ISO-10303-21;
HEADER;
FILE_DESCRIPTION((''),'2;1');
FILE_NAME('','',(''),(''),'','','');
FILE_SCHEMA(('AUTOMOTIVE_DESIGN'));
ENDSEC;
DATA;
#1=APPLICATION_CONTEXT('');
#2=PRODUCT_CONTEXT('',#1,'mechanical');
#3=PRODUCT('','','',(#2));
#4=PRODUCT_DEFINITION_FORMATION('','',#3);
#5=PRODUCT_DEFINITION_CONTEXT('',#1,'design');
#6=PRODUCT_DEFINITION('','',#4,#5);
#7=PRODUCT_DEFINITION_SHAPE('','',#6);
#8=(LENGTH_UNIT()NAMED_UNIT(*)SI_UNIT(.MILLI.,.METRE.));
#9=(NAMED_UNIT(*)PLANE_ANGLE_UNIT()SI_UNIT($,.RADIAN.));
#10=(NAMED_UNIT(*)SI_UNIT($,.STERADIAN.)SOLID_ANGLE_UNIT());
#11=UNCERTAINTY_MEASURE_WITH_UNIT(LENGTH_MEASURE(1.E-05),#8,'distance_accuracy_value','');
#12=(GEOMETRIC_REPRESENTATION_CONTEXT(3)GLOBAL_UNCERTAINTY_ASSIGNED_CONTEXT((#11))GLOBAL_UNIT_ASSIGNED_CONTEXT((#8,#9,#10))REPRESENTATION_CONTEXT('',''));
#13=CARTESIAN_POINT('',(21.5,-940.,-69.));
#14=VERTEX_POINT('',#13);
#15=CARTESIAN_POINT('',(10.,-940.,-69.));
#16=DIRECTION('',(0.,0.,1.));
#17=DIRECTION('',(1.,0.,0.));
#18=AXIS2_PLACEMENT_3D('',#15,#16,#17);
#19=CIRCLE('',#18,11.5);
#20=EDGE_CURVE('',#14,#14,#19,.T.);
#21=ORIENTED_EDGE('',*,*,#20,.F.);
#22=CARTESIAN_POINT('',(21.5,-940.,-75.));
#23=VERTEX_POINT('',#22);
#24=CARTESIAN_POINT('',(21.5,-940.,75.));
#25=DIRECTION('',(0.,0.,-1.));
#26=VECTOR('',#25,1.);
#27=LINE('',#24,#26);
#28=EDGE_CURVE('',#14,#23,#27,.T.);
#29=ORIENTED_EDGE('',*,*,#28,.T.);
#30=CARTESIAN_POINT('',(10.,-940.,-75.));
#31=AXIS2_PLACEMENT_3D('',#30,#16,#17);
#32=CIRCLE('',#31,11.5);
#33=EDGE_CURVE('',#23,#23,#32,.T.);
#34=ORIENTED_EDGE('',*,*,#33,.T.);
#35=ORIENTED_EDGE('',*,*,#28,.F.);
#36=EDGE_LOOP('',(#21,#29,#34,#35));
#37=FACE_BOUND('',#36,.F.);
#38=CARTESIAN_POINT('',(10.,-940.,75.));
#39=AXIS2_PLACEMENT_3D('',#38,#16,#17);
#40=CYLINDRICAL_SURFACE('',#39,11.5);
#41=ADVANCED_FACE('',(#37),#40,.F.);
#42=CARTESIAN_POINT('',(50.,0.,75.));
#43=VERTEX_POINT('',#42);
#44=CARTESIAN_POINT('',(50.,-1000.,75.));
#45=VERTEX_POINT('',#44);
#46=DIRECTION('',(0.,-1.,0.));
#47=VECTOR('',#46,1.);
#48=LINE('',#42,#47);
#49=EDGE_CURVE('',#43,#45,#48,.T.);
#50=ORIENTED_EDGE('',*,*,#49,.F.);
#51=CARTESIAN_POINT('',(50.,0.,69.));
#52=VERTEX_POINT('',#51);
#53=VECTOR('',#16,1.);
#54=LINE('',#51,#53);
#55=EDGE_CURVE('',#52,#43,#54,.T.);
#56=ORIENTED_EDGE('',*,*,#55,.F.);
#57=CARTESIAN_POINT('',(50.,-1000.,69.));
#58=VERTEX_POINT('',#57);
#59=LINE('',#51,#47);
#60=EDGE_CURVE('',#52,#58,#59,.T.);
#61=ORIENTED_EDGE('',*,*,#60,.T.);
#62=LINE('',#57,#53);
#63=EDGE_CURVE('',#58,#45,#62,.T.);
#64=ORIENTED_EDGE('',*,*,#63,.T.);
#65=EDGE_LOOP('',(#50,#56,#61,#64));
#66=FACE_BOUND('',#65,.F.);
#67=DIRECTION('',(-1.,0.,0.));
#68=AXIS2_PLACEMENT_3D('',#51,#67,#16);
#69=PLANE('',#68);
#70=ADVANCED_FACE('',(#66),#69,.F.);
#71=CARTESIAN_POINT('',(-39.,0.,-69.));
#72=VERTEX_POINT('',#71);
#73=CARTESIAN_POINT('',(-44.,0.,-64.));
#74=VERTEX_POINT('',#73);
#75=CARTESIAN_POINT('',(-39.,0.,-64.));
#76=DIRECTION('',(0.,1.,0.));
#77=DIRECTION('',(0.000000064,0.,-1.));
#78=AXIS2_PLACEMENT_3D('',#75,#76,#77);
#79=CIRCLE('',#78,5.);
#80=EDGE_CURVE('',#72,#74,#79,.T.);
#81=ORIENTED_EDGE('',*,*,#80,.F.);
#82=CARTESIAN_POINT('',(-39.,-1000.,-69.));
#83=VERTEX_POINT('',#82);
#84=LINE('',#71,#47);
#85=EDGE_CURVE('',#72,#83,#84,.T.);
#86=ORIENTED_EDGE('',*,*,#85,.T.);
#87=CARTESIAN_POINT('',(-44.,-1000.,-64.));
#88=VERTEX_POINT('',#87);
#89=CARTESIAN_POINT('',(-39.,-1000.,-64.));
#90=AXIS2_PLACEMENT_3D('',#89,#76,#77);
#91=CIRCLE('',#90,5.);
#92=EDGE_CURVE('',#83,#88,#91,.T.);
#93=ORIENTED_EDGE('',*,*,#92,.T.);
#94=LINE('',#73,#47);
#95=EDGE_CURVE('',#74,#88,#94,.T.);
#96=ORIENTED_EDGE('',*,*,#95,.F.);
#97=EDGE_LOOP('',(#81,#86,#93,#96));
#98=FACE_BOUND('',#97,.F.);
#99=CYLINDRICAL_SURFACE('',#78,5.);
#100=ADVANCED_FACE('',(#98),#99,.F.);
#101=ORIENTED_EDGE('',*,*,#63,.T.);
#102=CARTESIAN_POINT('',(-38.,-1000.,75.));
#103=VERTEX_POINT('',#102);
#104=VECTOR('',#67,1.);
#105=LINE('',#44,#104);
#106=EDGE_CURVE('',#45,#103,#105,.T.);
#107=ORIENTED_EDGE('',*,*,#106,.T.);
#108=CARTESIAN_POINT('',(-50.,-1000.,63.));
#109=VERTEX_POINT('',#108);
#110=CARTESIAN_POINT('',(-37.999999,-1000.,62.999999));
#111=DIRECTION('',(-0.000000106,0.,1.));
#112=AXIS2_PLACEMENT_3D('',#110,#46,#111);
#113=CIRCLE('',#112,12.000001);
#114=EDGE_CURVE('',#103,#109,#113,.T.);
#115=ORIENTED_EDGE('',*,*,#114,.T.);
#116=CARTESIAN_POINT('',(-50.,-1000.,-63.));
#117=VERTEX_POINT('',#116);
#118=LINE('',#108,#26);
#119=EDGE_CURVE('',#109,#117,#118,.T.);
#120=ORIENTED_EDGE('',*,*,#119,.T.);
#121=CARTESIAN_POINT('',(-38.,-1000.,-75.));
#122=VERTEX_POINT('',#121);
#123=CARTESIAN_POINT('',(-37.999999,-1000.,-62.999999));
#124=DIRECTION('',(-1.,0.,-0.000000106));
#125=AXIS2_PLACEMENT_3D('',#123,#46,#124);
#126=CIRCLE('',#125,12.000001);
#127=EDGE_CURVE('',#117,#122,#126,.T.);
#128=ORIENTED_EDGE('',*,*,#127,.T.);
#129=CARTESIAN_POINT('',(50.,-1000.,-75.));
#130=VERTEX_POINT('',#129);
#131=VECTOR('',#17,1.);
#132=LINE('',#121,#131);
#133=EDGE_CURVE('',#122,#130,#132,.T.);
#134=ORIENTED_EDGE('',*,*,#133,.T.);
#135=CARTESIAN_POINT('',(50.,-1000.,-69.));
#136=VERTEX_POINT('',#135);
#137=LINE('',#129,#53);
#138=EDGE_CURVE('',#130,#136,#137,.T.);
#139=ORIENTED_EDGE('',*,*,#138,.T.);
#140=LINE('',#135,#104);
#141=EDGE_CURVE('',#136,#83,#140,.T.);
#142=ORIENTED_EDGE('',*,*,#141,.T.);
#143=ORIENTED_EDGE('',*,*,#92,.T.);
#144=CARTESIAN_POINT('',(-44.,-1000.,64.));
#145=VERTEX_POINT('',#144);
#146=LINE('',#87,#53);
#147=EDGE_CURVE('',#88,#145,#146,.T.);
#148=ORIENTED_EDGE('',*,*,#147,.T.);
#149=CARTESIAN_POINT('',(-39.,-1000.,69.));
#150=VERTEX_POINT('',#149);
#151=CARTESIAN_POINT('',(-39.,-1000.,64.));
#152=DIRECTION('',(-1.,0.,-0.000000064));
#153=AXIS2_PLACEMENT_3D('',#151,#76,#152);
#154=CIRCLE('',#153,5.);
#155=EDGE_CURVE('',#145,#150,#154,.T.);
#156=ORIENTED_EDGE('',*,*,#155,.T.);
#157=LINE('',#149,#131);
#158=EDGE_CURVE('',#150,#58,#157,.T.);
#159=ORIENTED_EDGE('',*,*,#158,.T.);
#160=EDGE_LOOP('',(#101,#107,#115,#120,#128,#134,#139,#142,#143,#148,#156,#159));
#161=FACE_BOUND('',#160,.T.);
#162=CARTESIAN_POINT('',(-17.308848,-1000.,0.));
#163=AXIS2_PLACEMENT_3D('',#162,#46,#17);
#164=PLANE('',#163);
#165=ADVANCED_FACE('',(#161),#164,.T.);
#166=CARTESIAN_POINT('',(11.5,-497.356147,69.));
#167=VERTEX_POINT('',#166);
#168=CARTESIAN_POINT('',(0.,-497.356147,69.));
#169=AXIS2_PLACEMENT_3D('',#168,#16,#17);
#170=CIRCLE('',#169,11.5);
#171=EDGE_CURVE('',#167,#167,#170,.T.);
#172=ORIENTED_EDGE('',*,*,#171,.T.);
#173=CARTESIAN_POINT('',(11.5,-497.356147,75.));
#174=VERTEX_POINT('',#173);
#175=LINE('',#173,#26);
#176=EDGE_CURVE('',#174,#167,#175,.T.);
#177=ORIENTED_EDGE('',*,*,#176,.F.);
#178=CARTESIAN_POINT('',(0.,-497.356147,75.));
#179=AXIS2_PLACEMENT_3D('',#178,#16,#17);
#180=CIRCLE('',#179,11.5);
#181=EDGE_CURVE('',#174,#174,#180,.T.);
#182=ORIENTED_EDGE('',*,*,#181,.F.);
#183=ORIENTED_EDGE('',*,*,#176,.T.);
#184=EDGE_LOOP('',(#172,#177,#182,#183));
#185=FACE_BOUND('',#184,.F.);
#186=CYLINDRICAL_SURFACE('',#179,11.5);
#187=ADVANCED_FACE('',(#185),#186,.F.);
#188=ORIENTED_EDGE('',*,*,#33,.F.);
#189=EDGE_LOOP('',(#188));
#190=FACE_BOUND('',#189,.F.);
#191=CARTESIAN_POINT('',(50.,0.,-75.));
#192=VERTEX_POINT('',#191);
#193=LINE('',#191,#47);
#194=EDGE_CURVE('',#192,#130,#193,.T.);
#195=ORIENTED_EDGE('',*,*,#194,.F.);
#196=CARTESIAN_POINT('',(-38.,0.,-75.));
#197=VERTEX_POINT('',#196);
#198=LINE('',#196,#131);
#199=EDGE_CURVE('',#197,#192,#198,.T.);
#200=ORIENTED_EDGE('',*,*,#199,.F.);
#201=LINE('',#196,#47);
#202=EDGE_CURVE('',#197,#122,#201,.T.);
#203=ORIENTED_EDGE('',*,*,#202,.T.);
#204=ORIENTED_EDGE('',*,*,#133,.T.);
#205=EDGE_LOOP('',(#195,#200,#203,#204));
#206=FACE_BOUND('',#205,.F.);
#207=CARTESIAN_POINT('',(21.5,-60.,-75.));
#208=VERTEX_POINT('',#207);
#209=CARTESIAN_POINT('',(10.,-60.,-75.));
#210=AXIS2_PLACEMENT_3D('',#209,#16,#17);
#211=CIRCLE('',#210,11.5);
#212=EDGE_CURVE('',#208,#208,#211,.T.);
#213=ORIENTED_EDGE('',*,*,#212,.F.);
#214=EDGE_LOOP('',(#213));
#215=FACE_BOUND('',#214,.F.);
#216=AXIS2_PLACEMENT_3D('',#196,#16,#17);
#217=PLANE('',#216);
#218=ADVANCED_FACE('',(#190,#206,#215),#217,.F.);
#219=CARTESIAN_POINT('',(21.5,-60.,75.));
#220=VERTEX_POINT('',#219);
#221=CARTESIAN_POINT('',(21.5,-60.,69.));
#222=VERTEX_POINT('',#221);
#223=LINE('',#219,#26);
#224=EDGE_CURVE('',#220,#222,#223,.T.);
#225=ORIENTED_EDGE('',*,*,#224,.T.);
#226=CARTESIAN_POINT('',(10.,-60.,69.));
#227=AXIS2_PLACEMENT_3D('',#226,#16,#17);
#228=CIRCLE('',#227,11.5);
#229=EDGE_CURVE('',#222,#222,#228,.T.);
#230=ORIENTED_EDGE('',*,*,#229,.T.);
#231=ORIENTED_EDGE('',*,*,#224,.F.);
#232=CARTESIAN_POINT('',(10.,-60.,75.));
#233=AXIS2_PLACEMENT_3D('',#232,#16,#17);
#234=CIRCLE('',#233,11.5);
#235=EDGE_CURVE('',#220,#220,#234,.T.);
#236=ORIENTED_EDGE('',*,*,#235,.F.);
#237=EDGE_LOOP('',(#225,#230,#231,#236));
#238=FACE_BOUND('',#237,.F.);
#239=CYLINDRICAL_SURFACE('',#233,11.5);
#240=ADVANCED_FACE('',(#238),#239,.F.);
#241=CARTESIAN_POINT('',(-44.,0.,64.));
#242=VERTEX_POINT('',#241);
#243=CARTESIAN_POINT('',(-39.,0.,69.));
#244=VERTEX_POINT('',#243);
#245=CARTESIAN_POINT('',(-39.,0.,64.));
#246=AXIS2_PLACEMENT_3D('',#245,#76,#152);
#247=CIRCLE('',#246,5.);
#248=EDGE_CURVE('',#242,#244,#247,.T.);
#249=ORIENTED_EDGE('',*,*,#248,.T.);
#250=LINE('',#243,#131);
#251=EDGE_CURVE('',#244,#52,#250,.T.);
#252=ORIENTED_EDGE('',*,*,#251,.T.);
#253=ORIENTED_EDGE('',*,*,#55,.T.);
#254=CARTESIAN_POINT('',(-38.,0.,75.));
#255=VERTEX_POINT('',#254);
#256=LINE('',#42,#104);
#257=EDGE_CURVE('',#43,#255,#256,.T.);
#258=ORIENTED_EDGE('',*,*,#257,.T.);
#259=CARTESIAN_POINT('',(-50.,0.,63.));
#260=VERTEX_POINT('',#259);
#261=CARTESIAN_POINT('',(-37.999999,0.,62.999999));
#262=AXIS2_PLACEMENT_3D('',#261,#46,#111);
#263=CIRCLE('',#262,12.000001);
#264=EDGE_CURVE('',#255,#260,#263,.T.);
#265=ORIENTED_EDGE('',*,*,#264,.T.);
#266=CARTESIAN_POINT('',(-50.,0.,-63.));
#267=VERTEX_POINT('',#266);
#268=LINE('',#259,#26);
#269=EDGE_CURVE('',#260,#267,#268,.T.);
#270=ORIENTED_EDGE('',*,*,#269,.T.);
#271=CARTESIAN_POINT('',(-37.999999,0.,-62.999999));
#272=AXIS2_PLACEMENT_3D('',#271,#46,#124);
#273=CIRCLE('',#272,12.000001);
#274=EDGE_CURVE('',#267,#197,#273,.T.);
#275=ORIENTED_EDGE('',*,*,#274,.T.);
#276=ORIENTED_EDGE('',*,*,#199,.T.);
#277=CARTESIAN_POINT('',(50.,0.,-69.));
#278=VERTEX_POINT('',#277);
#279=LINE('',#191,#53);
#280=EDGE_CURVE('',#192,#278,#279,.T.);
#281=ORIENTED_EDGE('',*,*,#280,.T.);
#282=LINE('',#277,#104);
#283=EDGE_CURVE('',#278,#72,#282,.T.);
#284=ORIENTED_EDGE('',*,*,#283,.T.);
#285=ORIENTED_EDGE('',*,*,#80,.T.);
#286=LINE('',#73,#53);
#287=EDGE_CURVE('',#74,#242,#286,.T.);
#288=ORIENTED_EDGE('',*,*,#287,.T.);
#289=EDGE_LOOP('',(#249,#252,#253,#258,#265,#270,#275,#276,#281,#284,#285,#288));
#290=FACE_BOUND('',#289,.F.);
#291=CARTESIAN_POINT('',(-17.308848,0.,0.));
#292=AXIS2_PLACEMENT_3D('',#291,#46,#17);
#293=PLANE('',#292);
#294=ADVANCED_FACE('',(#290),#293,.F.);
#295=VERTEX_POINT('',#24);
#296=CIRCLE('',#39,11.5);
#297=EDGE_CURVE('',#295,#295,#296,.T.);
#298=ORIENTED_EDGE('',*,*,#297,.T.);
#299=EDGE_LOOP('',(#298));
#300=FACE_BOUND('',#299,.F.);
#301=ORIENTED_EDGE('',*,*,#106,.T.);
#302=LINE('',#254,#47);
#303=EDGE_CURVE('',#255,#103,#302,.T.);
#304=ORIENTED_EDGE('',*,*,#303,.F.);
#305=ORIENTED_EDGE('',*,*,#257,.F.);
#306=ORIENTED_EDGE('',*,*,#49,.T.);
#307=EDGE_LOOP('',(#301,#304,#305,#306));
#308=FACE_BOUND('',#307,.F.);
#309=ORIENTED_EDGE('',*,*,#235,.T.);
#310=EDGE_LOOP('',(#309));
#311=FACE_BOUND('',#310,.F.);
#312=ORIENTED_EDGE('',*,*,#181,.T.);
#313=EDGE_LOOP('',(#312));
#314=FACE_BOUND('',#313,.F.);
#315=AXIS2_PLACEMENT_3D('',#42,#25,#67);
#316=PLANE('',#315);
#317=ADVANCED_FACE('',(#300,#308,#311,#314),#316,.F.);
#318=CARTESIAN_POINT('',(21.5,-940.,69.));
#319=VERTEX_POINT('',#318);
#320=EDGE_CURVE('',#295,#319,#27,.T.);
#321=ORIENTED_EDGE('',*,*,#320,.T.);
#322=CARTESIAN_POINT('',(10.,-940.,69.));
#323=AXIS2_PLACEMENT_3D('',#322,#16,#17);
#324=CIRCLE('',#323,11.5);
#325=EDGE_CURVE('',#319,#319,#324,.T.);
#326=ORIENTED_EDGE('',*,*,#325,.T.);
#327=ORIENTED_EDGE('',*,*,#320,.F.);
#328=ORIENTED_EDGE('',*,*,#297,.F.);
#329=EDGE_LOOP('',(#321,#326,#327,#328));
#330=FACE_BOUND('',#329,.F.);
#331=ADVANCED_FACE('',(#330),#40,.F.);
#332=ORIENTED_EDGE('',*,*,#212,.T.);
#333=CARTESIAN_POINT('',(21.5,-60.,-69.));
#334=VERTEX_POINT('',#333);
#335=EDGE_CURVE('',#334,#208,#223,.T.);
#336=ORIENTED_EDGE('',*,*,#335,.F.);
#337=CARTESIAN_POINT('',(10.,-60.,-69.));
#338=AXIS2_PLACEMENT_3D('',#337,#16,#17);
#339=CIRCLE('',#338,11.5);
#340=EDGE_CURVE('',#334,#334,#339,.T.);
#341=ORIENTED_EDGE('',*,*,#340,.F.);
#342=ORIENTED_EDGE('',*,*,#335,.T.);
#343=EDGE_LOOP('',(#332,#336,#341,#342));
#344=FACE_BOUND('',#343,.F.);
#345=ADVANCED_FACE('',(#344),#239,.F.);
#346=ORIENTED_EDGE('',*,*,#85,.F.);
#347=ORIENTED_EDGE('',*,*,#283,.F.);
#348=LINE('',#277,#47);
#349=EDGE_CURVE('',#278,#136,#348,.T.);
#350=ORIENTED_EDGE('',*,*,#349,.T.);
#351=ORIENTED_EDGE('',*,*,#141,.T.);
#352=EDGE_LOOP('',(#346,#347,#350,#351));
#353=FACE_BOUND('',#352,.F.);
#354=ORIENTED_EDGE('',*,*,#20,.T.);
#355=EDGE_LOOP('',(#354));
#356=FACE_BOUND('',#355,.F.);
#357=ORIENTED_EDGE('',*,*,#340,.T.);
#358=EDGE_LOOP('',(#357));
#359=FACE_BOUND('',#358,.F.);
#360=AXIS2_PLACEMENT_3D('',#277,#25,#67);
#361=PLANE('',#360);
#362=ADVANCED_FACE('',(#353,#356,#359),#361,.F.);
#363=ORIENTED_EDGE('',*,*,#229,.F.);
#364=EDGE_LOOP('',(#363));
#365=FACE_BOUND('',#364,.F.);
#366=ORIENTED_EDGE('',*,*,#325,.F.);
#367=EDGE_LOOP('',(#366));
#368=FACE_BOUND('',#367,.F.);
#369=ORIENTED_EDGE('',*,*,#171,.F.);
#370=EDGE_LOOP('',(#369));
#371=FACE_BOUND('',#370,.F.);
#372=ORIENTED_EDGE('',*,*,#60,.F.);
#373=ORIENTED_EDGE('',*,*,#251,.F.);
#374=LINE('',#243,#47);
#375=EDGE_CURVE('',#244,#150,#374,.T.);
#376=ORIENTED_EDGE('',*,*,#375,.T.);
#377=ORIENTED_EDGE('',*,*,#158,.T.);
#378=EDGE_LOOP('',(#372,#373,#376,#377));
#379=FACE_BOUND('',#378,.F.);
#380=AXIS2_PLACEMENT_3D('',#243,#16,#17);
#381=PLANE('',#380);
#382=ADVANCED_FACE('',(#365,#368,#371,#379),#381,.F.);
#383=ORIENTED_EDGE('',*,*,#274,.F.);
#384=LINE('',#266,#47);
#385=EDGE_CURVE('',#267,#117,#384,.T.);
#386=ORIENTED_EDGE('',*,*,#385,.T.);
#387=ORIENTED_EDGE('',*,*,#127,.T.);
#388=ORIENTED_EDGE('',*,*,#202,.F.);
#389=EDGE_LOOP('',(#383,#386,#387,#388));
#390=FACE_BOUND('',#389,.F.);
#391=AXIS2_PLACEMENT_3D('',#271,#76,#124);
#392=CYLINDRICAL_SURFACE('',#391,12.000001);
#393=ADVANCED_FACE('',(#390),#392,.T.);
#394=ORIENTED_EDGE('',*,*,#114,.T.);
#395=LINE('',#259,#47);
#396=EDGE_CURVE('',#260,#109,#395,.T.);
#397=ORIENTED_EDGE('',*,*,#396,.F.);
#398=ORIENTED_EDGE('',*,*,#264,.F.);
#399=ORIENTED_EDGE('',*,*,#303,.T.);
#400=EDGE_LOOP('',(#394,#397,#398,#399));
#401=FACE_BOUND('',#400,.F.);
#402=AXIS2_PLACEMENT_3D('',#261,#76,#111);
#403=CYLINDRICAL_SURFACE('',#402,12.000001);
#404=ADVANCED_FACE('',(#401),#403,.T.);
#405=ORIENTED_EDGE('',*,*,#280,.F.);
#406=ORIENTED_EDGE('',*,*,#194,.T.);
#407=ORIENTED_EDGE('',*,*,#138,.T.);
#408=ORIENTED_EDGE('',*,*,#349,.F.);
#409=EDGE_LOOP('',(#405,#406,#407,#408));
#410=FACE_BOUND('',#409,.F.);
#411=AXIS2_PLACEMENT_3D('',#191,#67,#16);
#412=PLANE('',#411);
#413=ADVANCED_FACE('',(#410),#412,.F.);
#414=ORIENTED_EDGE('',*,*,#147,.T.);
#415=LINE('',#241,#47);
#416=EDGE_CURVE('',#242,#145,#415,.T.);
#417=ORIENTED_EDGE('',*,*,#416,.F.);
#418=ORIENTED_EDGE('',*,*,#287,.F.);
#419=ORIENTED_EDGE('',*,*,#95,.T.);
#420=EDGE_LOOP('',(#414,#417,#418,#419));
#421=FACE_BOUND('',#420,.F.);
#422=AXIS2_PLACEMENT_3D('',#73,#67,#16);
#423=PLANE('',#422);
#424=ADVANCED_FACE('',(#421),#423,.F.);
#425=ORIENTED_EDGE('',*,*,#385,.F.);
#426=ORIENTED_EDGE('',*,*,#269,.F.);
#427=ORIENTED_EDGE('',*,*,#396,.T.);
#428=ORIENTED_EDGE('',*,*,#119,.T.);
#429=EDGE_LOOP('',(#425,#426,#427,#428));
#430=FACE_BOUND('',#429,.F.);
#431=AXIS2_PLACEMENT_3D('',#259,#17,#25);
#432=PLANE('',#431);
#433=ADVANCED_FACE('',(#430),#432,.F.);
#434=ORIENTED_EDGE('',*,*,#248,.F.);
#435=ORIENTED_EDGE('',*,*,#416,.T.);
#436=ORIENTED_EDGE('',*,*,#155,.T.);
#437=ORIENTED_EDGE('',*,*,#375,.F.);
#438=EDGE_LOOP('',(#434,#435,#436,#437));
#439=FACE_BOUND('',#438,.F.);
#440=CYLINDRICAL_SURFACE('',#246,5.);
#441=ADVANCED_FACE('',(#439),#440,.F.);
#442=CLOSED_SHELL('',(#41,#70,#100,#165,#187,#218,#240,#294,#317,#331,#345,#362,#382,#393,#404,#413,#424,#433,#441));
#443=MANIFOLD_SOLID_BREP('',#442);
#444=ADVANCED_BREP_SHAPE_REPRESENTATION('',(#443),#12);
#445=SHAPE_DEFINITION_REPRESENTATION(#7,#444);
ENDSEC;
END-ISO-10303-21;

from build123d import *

# Parameters (mm, degrees)
F1_DEPTH = 1000
F2_R     = 11.5
F3_DEPTH = 175
F6_R     = 11.5
F7_DEPTH = 25


with BuildPart() as f1:
    # F0 (on Front) → F1 (new body)
    with BuildSketch(Plane.XZ):
        with BuildLine():
            Line((50, 75), (-38, 75))
            ThreePointArc((-38, 75), (-46.485281, 71.485281), (-50, 63))
            Line((-50, 63), (-50, -63))
            ThreePointArc((-50, -63), (-46.485281, -71.485281), (-38, -75))
            Line((-38, -75), (50, -75))
            Line((50, -75), (50, -69))
            Line((50, -69), (-39, -69))
            ThreePointArc((-39, -69), (-42.535534, -67.535534), (-44, -64))
            Line((-44, -64), (-44, 64))
            ThreePointArc((-44, 64), (-42.535534, 67.535534), (-39, 69))
            Line((-39, 69), (50, 69))
            Line((50, 69), (50, 75))
        make_face()
    extrude(amount=F1_DEPTH)

    # F2 (on face) → F3 (cut)
    with BuildSketch(Plane.XY.offset(75)):
        with Locations((10, -60)):
            Circle(F2_R)
        with Locations((10, -940)):
            Circle(F2_R)
    extrude(amount=-F3_DEPTH, mode=Mode.SUBTRACT)

    # F6 (on face) → F7 (cut)
    with BuildSketch(Plane.XY.offset(75)):
        with Locations((0, -497.356147)):
            Circle(F6_R)
    extrude(amount=-F7_DEPTH, mode=Mode.SUBTRACT)


with BuildPart() as f4_1:
    # F4: copy of F1
    add(f1.part.moved(Location((300, 0, 0))))


solid = f1.part
